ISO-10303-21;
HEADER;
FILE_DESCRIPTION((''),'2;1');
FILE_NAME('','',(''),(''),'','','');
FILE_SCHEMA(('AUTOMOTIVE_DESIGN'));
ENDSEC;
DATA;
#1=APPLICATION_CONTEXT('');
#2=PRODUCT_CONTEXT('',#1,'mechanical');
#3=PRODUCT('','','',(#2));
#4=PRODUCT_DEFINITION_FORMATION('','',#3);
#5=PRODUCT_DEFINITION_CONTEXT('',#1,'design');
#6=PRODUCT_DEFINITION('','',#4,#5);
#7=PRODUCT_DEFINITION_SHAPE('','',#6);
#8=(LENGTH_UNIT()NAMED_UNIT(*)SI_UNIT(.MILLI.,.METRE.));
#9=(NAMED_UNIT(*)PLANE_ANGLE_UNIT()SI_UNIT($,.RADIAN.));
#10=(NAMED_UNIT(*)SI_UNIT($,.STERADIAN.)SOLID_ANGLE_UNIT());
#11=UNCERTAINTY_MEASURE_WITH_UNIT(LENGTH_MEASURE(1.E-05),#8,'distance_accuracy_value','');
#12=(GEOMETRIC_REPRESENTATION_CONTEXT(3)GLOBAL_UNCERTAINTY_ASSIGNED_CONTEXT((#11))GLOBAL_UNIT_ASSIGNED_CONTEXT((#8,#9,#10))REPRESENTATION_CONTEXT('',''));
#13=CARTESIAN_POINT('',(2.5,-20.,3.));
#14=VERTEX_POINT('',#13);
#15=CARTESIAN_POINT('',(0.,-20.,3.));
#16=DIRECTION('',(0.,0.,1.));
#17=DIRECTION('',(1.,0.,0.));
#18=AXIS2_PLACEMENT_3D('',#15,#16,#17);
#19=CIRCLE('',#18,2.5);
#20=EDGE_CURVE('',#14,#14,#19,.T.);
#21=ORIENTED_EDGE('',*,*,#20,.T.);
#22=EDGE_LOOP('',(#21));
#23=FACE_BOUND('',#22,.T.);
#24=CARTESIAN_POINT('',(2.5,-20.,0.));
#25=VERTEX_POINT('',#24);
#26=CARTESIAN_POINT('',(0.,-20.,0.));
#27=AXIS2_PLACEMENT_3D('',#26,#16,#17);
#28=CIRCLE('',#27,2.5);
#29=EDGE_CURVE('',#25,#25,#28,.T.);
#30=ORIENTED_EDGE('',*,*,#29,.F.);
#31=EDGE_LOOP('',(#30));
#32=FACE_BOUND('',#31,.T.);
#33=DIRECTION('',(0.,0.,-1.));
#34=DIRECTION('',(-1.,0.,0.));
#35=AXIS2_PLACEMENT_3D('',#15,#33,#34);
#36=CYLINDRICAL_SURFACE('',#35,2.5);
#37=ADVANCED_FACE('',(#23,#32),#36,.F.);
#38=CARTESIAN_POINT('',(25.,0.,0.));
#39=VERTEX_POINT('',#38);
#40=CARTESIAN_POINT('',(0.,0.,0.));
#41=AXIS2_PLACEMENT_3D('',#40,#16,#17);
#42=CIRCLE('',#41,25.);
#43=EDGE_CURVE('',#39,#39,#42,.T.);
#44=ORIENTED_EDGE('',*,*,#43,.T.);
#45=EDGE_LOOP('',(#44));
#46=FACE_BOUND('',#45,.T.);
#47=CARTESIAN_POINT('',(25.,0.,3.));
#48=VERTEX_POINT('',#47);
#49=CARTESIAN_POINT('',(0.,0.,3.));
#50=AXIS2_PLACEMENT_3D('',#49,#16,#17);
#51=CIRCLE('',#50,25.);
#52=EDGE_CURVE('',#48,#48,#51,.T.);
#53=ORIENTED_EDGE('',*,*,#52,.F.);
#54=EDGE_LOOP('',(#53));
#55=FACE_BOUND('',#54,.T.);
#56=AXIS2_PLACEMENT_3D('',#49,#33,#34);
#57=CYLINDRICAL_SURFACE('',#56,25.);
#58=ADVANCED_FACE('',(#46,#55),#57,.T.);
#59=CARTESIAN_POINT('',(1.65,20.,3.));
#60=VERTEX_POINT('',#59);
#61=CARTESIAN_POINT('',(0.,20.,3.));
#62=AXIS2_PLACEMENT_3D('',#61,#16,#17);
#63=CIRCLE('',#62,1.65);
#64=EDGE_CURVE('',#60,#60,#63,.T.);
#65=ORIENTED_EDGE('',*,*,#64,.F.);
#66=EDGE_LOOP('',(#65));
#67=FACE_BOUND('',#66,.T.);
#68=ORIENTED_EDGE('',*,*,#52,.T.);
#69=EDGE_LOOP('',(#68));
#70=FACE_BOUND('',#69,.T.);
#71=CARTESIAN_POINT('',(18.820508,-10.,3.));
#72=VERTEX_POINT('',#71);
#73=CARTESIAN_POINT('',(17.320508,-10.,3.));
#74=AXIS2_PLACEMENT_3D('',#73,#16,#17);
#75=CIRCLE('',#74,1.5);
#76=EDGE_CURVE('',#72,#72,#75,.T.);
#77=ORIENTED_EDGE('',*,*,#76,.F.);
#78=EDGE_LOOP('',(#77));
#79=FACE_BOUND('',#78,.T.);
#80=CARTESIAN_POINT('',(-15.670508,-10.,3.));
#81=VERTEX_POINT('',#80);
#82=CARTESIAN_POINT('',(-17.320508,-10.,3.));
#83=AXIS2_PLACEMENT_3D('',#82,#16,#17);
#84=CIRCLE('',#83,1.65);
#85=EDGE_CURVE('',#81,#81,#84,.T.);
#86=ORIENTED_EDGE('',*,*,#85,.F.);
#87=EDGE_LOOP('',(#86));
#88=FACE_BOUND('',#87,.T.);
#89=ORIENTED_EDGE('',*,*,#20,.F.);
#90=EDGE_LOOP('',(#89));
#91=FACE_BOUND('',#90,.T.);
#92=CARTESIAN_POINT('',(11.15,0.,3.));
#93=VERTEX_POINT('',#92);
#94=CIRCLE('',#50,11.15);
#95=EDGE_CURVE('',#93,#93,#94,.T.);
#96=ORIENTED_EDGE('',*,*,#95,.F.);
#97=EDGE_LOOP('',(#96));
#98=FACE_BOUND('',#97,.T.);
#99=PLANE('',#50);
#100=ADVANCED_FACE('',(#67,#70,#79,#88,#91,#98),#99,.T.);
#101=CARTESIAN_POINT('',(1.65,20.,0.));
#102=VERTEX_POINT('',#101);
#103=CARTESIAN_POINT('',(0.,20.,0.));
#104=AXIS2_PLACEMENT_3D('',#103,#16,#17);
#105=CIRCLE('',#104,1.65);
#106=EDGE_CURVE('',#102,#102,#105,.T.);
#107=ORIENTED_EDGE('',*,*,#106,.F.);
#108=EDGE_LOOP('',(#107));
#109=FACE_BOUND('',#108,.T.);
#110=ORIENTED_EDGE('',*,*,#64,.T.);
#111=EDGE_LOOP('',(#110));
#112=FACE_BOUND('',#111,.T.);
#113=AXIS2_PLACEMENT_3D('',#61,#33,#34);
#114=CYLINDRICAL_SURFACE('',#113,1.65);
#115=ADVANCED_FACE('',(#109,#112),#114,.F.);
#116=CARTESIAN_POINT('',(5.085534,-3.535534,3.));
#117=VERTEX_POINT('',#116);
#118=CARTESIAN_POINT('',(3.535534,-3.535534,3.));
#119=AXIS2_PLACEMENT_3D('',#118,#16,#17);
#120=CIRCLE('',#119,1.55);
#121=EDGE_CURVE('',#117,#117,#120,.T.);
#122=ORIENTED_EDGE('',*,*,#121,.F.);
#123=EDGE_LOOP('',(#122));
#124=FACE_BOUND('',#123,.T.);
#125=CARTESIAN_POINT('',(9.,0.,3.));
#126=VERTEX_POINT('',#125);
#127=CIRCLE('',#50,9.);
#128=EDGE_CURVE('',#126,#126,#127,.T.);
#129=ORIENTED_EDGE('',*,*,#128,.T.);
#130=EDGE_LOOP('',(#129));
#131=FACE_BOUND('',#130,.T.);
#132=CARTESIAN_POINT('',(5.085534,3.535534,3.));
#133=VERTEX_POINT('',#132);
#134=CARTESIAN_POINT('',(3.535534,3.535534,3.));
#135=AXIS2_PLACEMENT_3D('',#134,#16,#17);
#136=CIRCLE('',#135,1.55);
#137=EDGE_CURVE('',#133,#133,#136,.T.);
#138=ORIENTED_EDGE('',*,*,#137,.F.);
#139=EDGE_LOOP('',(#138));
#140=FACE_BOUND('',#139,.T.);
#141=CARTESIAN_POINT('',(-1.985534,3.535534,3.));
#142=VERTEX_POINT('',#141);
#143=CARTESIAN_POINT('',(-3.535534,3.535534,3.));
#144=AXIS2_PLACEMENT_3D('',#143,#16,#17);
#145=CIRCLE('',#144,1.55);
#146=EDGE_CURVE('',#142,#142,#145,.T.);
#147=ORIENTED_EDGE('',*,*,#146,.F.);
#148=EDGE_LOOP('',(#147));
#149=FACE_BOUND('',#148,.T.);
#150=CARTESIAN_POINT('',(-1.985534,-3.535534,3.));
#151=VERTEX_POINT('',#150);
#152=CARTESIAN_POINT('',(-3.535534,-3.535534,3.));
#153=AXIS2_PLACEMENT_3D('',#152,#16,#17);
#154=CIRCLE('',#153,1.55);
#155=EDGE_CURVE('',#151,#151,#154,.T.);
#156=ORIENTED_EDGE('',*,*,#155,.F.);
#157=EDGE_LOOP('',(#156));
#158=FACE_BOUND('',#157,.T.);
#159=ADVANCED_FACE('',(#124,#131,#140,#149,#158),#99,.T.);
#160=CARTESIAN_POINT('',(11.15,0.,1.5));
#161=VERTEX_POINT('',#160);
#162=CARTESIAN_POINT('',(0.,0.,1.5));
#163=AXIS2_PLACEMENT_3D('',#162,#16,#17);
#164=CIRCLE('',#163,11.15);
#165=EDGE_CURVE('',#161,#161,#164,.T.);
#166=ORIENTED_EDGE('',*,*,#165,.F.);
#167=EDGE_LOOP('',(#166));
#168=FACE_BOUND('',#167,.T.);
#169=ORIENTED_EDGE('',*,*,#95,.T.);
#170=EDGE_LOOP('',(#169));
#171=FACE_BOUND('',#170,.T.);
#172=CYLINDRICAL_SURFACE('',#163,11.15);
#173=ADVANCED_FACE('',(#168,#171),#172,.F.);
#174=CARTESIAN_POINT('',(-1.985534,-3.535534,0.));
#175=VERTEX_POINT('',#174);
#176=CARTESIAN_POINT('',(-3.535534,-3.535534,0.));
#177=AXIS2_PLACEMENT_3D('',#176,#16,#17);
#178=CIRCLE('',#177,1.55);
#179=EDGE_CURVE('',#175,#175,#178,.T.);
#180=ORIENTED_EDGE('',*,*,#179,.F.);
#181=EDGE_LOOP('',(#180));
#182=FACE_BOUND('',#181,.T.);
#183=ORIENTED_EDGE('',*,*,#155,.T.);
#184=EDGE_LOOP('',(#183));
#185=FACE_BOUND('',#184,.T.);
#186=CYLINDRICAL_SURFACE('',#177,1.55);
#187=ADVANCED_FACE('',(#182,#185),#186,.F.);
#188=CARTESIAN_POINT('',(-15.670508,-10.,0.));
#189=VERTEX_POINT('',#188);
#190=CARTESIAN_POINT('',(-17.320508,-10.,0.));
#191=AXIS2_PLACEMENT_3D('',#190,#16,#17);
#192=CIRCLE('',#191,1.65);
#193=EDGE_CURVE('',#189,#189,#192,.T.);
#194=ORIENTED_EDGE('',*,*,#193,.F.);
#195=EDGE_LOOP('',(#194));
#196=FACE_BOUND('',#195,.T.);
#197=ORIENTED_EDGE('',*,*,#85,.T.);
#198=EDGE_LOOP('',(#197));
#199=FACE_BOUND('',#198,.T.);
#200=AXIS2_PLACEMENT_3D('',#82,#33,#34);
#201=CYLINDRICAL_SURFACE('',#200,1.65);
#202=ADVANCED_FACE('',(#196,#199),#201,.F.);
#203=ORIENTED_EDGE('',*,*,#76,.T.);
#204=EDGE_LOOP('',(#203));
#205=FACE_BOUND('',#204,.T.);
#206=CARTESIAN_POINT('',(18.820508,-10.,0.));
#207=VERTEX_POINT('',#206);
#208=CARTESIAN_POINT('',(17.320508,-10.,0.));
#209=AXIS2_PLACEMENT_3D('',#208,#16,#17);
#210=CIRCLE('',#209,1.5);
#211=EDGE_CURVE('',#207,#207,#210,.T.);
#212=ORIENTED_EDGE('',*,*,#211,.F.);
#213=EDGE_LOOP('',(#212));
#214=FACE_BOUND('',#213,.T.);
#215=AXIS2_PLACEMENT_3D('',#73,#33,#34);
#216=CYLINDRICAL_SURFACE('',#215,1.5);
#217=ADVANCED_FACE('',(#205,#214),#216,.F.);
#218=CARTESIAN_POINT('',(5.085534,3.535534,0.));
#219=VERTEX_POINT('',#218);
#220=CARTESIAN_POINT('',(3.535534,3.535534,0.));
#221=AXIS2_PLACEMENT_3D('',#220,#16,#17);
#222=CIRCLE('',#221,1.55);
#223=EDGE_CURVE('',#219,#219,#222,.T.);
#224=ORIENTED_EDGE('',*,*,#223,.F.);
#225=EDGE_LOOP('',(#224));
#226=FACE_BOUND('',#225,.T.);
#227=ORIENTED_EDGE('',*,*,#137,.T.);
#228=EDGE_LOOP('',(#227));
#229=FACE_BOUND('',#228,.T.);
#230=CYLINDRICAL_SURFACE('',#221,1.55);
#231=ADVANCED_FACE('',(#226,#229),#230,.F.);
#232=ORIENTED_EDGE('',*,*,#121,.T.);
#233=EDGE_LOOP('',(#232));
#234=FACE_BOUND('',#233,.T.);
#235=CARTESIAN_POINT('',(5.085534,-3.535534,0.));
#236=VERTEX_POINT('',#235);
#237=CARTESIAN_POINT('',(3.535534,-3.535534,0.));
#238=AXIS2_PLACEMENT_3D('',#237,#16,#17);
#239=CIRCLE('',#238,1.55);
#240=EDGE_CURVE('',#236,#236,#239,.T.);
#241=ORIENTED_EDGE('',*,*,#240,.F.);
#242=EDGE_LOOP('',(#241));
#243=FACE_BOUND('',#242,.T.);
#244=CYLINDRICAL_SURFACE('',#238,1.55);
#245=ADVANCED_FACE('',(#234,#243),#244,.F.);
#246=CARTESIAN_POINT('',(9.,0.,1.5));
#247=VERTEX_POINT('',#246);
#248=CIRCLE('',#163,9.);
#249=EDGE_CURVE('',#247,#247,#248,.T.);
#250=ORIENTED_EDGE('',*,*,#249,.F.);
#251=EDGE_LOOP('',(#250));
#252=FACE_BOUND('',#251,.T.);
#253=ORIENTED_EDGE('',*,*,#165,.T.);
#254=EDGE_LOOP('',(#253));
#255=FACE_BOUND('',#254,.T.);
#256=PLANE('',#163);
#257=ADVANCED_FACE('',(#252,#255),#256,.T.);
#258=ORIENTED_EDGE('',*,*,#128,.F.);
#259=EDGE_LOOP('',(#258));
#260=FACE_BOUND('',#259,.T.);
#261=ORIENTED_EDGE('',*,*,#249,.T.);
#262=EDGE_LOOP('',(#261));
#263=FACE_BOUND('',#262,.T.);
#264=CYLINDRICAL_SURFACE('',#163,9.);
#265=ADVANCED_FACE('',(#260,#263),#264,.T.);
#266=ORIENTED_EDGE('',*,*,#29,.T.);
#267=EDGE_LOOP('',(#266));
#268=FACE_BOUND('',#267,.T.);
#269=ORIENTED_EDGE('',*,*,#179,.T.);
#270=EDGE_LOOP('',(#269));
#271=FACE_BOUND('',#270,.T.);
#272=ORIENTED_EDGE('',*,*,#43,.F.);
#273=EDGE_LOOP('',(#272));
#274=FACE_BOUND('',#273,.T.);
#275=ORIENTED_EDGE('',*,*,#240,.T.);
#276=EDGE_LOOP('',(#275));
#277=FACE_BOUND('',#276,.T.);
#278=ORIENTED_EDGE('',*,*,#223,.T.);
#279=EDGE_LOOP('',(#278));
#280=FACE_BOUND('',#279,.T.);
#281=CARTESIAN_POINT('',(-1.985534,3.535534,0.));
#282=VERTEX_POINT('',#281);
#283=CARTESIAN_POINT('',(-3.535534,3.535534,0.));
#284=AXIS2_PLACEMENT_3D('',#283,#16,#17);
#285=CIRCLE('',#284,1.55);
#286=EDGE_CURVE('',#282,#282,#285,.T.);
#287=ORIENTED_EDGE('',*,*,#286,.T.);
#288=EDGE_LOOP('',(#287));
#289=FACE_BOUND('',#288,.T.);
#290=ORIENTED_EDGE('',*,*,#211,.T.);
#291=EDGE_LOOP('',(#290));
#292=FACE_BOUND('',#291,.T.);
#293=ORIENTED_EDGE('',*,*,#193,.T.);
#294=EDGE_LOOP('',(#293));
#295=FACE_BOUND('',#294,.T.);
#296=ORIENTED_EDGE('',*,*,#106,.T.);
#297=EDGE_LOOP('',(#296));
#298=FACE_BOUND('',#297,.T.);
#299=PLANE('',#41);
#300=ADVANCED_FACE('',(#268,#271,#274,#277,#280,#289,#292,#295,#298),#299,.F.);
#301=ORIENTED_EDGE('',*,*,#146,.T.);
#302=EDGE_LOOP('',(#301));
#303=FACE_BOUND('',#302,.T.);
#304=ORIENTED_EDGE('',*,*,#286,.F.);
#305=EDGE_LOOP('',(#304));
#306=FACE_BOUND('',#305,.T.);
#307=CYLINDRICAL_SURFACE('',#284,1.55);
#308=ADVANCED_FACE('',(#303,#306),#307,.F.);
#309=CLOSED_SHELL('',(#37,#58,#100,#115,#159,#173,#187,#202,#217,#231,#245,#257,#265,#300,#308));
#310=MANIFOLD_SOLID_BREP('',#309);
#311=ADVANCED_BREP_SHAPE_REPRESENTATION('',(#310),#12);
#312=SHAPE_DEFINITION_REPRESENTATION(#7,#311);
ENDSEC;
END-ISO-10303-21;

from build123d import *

# Parameters (mm, degrees)
SKETCH_1_R          = 25
SKETCH_1_R_2        = 2.5
SKETCH_1_R_3        = 1.65
SKETCH_1_R_4        = 1.5
SKETCH_1_R_5        = 11.05
EXTRUDE_1_DEPTH     = 3
SKETCH_2_R          = 11.15
SKETCH_2_R_2        = 9
CUT_EXTRUDE_1_DEPTH = 1.5
SKETCH_4_R          = 1.55
CUT_EXTRUDE_2_DEPTH = 36.482389998


with BuildPart() as part:
    # 草图1 → 凸台-拉伸1 (new body)
    # profile 1 of 2: a face of its own
    with BuildSketch(Plane.XY):
        Circle(SKETCH_1_R)
        with Locations((0, -20)):
            Circle(SKETCH_1_R_2, mode=Mode.SUBTRACT)
        with Locations((0, 20)):
            Circle(SKETCH_1_R_3, mode=Mode.SUBTRACT)
        with Locations((-17.320508076, -10)):
            Circle(SKETCH_1_R_3, mode=Mode.SUBTRACT)
        with Locations((17.320508076, -10)):
            Circle(SKETCH_1_R_4, mode=Mode.SUBTRACT)
        Circle(SKETCH_1_R_5, mode=Mode.SUBTRACT)
    # profile 2 of 2: a face of its own
    with BuildSketch(Plane.XY):
        Circle(SKETCH_1_R_5)
    extrude(amount=EXTRUDE_1_DEPTH)

    # 草图2 → 切除-拉伸1 (cut)
    with BuildSketch(Plane.XY.offset(3)):
        Circle(SKETCH_2_R)
        Circle(SKETCH_2_R_2, mode=Mode.SUBTRACT)
    extrude(amount=-CUT_EXTRUDE_1_DEPTH, mode=Mode.SUBTRACT)

    # 草图4 → 切除-拉伸2 (cut, through all)
    with BuildSketch(Plane.XY.offset(3)):
        with Locations((-3.535533906, 3.535533906)):
            Circle(SKETCH_4_R)
        with Locations((3.535533906, 3.535533906)):
            Circle(SKETCH_4_R)
        with Locations((3.535533906, -3.535533906)):
            Circle(SKETCH_4_R)
        with Locations((-3.535533906, -3.535533906)):
            Circle(SKETCH_4_R)
    extrude(amount=-CUT_EXTRUDE_2_DEPTH, mode=Mode.SUBTRACT)


solid = part.part
